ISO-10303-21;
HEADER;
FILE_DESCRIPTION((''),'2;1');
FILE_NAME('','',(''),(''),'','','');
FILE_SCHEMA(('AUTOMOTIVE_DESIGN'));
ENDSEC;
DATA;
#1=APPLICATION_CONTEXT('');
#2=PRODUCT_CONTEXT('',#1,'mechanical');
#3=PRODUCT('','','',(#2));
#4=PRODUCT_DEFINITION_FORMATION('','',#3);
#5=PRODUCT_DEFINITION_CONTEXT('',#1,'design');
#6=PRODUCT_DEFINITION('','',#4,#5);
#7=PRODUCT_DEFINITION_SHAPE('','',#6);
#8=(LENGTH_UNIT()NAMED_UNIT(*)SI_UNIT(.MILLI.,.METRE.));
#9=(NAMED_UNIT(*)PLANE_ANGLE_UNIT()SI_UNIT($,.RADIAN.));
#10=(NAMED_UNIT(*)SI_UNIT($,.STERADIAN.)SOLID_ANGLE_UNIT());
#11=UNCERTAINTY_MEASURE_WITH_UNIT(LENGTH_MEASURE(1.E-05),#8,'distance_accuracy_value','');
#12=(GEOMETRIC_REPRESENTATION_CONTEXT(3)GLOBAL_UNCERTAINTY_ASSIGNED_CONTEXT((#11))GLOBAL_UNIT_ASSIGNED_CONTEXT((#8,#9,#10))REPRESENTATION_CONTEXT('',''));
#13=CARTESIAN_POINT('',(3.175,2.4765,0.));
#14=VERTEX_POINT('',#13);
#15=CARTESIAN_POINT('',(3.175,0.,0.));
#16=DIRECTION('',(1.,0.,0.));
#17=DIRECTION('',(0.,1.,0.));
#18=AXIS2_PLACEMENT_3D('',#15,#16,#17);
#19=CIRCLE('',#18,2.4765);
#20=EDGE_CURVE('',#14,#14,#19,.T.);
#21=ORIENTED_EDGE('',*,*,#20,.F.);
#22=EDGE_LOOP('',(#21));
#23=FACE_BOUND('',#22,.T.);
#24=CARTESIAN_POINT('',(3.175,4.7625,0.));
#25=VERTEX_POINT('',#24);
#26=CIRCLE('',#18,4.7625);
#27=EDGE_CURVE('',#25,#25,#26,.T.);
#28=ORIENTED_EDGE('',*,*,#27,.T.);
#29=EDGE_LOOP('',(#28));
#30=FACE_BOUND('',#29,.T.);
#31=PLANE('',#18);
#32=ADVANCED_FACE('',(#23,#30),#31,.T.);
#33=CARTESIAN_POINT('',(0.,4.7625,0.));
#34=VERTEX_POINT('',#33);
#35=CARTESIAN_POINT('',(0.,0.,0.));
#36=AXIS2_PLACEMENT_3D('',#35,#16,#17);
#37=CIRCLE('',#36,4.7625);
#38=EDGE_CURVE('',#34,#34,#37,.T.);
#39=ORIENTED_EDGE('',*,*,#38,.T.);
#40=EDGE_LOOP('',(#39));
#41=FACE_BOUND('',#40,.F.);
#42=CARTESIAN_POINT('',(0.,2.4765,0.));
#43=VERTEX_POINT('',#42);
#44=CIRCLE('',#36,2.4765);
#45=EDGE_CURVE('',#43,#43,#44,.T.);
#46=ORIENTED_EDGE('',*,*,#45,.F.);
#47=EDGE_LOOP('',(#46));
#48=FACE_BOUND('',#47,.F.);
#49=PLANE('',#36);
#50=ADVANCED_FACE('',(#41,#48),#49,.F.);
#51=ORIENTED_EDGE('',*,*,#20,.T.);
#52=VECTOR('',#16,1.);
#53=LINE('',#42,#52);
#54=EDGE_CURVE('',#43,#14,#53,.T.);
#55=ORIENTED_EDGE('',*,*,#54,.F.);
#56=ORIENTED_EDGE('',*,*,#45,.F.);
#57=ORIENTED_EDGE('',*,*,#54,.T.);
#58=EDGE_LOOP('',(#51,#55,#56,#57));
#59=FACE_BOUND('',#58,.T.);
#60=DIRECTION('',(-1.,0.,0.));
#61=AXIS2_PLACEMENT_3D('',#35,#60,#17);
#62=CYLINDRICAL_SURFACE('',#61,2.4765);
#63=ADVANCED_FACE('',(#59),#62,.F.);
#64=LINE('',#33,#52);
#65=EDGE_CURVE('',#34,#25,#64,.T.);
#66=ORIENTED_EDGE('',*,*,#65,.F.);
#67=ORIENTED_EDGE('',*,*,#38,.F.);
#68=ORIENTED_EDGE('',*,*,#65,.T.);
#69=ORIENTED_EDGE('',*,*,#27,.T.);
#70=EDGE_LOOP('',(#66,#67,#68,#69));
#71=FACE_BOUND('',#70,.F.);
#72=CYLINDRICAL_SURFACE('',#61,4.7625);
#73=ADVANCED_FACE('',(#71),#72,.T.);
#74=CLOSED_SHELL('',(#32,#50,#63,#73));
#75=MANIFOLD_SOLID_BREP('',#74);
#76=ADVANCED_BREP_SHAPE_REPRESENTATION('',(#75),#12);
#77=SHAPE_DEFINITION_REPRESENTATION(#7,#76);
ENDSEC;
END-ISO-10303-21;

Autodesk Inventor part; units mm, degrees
ref_plane "YZ Plane" through (0, 0, 0) normal (1, 0, 0) x (0, 1, 0)
ref_plane "XZ Plane" through (0, 0, 0) normal (0, 1, 0) x (-1, 0, 0)
ref_plane "XY Plane" through (0, 0, 0) normal (0, 0, 1) x (1, 0, 0)
sketch "Sketch1" plane through (0, 0, 0) normal (1, 0, 0) x (0, 1, 0)
  circle A0 centre (0, 0) radius 4.7625
  circle A1 centre (0, 0) radius 2.4765
  dimension "d0" = 9.525
  dimension "d1" = 4.953
extrude "Extrusion1" add sketch "Sketch1" along normal blind 3.175
properties part number "nylon spacer 0.195ID 0.125"
